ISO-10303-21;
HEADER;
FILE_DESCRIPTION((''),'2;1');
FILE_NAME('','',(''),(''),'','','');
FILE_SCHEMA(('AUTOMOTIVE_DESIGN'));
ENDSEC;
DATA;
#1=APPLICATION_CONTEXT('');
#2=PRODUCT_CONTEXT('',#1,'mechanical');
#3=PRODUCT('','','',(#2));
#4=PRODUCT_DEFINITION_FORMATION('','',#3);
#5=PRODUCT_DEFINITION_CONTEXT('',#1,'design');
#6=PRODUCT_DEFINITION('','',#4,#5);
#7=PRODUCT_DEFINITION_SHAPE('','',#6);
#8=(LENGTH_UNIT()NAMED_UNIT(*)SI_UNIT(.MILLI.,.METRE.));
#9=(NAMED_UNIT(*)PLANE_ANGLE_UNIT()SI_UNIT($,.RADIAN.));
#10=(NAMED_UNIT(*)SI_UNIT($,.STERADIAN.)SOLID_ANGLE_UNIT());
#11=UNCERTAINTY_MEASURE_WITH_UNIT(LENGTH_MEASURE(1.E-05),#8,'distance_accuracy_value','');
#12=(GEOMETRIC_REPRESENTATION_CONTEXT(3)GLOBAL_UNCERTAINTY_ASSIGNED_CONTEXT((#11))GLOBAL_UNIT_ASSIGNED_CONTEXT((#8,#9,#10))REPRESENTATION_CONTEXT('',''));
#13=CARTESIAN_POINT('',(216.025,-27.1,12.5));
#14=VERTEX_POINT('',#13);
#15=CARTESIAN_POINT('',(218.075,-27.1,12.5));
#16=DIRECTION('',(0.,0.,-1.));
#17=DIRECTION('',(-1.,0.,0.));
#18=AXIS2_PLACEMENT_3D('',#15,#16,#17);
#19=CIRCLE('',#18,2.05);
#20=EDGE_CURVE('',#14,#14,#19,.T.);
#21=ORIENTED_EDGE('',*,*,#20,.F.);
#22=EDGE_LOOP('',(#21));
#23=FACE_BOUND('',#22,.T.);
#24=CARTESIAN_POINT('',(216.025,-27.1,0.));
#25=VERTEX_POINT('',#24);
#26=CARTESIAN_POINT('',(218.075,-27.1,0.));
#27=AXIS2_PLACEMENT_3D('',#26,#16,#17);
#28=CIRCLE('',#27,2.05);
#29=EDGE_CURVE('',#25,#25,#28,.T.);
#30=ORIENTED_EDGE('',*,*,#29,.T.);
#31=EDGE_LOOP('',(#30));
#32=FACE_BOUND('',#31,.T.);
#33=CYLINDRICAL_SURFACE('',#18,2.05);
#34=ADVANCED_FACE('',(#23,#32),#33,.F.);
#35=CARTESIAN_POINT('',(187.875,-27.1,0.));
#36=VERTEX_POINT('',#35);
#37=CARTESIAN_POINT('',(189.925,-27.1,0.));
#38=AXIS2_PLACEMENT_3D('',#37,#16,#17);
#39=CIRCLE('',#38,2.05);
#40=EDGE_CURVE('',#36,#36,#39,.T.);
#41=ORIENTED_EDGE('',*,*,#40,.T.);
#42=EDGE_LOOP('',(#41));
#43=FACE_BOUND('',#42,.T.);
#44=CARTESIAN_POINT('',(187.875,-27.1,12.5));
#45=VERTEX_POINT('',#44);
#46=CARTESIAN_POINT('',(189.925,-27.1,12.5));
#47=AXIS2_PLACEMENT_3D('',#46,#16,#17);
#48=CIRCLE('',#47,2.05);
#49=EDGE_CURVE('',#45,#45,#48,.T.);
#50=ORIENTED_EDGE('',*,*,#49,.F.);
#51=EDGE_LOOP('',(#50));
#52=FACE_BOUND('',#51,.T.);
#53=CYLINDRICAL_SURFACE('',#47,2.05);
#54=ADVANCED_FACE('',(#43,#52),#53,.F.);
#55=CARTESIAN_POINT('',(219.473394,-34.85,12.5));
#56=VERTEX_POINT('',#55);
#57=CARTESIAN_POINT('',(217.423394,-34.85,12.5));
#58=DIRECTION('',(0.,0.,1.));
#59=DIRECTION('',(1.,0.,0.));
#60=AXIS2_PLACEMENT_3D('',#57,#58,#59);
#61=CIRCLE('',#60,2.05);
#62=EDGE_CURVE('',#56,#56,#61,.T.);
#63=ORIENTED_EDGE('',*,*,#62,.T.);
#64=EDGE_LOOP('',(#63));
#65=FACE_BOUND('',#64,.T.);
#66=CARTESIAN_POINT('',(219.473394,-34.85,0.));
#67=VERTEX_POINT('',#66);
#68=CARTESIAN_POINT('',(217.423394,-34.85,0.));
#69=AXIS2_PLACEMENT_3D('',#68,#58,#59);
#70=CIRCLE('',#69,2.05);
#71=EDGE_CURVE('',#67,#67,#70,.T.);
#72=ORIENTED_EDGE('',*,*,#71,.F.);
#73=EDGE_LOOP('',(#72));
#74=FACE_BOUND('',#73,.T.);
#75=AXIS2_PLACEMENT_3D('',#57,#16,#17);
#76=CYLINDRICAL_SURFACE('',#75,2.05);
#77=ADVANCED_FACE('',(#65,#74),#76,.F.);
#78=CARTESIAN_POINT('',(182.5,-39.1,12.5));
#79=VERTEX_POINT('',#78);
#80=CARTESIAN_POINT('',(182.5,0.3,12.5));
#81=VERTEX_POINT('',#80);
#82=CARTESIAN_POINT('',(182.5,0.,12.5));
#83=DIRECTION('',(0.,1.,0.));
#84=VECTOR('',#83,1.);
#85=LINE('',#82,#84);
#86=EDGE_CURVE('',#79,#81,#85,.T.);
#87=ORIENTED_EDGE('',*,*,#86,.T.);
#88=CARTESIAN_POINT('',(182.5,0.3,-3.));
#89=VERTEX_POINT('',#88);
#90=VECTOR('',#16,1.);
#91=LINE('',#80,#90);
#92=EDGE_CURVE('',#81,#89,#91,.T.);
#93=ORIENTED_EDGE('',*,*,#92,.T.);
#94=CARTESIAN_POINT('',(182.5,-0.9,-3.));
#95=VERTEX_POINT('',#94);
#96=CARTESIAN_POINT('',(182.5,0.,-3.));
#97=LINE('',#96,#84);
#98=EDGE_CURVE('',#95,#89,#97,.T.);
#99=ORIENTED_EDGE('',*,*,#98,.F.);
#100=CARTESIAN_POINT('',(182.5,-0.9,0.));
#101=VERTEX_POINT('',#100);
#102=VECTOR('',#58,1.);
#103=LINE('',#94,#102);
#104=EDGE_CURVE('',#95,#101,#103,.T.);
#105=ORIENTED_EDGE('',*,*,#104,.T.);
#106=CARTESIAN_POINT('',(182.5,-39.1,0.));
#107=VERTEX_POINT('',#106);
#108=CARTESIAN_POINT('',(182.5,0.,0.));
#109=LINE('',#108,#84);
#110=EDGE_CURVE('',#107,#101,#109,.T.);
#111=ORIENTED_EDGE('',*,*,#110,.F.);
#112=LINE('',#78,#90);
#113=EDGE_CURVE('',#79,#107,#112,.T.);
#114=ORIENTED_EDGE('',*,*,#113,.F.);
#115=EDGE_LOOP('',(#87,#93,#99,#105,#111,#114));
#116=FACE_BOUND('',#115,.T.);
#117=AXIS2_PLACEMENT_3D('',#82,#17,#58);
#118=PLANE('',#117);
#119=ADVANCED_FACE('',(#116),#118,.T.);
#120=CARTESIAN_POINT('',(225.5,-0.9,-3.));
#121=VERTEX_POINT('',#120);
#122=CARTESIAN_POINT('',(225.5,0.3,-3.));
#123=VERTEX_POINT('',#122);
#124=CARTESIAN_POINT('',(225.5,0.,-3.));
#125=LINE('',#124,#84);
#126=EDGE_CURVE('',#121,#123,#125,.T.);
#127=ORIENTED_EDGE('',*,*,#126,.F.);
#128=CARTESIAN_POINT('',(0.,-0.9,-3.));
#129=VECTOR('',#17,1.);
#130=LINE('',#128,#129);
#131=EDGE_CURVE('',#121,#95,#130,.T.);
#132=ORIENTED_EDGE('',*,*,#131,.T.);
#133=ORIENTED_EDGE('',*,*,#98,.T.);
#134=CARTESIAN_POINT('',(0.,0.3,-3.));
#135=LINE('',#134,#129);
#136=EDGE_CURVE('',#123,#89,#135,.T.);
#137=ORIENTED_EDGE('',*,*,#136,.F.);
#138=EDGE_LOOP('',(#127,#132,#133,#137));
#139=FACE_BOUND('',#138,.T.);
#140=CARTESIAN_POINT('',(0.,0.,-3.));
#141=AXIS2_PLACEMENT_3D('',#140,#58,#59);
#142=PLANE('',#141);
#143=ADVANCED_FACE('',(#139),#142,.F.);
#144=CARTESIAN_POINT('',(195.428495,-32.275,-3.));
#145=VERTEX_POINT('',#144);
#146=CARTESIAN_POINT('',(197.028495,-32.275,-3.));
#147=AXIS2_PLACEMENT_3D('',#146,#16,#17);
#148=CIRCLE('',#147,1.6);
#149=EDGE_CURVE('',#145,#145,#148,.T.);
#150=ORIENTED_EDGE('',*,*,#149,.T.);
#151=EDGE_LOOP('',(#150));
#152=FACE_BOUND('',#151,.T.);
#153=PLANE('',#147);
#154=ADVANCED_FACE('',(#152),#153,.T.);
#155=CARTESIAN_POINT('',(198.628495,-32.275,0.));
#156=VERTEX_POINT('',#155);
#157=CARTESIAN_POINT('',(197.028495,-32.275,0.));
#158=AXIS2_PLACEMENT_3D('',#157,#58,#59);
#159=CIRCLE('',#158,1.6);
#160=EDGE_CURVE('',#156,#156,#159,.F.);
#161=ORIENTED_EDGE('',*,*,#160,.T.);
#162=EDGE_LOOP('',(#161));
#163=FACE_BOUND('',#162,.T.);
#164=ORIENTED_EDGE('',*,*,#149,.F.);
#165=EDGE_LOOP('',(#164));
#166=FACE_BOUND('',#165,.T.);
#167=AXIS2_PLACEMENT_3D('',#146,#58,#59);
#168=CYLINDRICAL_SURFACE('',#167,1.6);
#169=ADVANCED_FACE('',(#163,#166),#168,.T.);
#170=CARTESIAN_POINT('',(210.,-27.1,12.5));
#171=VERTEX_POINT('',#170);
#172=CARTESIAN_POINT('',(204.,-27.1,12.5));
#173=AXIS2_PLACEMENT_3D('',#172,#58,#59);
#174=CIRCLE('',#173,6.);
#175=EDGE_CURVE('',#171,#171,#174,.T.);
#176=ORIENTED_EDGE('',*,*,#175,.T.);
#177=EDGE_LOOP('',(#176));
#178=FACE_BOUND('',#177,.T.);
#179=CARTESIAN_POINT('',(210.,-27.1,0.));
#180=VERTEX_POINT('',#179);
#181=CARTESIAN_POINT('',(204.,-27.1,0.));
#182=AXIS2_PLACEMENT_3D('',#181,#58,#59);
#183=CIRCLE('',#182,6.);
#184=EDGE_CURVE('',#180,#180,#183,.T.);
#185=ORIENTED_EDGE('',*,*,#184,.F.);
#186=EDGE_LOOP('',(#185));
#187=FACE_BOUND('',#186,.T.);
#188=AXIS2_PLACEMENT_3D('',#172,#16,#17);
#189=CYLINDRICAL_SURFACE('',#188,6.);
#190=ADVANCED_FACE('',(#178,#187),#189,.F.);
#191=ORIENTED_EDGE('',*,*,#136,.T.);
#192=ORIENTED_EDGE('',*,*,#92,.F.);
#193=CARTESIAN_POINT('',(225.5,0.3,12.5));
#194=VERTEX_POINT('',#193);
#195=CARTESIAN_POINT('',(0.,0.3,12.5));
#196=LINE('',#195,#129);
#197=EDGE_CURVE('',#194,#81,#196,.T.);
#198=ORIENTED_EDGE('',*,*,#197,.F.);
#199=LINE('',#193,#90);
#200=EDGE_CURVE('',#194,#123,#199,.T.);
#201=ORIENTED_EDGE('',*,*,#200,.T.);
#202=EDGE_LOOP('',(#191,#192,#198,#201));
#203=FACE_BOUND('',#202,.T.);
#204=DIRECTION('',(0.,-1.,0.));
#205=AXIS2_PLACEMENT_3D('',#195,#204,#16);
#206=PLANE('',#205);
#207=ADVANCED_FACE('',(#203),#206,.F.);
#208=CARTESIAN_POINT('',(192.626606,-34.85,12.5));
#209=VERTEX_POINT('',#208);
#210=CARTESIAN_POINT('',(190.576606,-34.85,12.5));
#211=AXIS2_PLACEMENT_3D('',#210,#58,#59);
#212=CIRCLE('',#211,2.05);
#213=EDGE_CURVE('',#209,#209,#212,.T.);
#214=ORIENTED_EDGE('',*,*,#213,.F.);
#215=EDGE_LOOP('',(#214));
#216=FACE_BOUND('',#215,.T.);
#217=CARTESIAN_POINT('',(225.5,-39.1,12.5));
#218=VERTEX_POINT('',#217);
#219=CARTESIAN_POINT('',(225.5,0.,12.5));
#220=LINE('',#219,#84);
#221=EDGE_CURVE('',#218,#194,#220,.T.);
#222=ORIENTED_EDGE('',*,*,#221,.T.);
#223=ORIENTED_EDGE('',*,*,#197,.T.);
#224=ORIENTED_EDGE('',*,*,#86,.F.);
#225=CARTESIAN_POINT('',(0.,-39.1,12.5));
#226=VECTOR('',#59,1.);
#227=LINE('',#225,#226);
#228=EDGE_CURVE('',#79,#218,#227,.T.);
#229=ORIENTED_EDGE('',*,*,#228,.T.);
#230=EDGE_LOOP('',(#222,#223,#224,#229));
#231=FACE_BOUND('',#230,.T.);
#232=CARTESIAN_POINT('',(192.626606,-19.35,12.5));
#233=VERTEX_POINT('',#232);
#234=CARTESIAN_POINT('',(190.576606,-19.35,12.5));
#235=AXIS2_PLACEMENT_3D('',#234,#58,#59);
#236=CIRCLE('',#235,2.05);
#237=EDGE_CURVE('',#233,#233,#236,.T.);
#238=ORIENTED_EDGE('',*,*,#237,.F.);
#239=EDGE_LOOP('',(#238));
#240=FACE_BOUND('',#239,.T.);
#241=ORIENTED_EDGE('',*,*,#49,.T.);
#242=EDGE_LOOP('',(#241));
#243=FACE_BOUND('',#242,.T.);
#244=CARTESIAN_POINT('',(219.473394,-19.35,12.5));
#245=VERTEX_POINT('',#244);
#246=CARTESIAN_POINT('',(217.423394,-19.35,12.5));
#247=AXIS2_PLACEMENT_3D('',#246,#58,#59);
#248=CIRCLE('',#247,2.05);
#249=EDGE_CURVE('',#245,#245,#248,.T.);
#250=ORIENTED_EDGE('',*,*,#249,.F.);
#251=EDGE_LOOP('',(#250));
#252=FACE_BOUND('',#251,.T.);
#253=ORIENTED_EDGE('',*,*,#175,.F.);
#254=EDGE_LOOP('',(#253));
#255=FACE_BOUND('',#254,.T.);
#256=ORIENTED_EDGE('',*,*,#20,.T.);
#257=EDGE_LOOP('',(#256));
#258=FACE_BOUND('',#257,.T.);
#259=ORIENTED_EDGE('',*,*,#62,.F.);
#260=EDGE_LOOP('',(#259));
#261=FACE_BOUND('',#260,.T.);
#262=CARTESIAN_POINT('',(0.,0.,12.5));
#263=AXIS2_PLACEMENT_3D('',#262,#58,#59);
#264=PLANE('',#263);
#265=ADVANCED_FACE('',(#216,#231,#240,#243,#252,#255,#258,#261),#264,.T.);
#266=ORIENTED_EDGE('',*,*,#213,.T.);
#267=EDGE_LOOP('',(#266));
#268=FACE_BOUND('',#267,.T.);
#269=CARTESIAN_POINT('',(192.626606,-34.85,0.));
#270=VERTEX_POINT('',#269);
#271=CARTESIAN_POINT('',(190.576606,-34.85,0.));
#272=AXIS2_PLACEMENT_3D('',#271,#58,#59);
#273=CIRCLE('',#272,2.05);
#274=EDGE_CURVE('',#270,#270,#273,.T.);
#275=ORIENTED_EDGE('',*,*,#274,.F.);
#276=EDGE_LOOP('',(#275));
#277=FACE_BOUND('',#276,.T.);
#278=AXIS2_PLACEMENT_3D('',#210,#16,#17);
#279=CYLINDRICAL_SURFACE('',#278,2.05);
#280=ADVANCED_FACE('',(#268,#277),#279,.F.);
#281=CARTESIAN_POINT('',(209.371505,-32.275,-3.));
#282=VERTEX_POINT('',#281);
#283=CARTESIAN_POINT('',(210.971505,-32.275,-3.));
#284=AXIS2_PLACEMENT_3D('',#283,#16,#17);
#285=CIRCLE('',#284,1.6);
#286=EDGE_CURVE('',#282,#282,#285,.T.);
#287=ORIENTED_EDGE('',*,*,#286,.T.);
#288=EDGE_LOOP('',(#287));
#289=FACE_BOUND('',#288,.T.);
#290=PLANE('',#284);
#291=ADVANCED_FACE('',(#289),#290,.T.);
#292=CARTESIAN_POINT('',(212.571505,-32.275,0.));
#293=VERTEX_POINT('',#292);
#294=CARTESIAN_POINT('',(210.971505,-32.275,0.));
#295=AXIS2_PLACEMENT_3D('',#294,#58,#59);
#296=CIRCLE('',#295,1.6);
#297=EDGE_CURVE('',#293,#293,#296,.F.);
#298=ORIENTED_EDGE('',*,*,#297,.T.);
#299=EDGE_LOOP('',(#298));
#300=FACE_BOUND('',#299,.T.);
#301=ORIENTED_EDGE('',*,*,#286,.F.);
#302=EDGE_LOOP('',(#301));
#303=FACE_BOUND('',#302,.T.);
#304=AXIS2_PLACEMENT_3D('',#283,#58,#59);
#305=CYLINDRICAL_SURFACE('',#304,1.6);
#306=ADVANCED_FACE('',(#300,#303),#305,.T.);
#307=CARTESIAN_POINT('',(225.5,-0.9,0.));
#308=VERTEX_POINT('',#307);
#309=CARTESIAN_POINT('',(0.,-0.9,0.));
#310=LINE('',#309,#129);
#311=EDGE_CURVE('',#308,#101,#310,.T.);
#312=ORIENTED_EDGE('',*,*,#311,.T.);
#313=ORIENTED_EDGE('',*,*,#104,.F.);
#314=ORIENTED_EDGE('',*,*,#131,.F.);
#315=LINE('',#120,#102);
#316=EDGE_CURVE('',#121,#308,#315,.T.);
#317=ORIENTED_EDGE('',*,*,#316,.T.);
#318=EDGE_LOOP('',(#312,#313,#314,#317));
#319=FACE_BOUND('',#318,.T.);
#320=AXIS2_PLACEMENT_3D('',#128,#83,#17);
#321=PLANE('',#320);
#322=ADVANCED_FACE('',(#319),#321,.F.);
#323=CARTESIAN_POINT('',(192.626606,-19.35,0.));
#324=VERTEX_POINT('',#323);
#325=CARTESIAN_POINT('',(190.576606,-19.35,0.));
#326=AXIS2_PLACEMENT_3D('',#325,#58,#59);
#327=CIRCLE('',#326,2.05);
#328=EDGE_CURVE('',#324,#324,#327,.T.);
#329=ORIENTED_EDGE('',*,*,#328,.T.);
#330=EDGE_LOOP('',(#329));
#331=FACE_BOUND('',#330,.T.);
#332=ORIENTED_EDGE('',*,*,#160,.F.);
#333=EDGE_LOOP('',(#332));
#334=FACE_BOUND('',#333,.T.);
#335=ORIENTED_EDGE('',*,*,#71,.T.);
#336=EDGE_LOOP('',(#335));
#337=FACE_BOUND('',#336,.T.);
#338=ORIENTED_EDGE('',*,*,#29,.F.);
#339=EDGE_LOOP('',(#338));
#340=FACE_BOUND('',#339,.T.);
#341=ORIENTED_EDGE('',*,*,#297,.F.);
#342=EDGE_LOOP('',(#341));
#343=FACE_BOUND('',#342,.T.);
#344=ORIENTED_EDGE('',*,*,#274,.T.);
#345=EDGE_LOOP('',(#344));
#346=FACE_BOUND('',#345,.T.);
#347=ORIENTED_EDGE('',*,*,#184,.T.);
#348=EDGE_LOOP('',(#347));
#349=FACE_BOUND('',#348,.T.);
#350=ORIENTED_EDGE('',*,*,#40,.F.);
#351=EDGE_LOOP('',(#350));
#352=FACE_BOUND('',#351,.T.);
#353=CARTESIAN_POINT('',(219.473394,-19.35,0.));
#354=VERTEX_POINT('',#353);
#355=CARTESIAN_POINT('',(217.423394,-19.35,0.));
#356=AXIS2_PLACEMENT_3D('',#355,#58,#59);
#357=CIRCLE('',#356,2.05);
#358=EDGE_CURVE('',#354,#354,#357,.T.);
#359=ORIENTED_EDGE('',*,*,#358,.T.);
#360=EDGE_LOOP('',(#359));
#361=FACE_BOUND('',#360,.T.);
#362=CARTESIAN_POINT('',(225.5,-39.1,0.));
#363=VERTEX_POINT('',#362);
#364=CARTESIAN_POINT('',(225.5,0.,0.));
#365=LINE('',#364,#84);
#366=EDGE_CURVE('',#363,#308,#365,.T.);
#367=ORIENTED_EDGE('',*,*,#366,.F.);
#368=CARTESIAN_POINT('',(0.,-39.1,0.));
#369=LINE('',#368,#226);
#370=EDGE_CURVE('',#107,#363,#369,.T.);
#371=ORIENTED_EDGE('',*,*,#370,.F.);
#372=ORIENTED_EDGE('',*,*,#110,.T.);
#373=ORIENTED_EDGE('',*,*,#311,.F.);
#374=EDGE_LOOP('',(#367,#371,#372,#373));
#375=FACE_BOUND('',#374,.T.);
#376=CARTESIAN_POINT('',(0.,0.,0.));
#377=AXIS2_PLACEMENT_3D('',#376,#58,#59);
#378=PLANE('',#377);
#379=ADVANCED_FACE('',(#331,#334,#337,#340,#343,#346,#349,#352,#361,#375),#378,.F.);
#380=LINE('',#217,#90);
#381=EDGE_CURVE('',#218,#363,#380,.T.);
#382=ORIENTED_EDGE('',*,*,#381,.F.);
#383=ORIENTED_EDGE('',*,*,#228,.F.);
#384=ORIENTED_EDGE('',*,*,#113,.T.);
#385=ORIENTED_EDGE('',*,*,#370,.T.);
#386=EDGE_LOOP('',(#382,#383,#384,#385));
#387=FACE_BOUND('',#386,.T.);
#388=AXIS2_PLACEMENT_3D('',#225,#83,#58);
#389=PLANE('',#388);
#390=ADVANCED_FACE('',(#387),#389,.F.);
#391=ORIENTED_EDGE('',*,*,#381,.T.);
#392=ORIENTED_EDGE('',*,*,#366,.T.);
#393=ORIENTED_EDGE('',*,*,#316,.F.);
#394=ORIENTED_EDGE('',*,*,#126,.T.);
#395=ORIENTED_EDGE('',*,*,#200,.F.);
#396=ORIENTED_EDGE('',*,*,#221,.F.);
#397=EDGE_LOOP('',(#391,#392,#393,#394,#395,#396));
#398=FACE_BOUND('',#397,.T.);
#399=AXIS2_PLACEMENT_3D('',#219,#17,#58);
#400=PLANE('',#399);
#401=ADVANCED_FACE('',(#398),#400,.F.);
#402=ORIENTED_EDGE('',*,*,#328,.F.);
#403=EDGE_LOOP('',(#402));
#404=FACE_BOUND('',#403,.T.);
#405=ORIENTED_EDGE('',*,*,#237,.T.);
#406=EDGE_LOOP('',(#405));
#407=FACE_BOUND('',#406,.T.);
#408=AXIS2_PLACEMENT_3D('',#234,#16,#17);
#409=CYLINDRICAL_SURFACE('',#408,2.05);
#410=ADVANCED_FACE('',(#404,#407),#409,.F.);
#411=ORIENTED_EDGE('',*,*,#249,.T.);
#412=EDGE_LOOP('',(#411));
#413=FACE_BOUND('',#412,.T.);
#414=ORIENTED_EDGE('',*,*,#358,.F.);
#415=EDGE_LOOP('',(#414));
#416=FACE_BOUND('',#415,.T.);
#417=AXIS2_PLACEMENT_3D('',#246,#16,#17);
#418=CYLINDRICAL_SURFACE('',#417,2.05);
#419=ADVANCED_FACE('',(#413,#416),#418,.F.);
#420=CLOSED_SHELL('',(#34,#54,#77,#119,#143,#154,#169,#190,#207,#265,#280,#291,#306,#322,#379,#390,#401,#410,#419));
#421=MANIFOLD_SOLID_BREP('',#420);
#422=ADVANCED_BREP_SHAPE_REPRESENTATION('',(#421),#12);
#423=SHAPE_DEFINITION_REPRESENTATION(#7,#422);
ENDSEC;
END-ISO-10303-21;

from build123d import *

# Parameters (mm, degrees)
SKETCH1_W             = 43
SKETCH1_H             = 48.1
SKETCH1_R             = 2.05
SKETCH1_R_2           = 6
BOSS_EXTRUDE1_DEPTH   = 12.5
SKETCH1_3_W           = 43
SKETCH1_3_H           = 10
BOSS_EXTRUDE2_DEPTH   = 3
MOVE_FACE1_BY         = 0.1
CROQUIS1_W            = 43
CROQUIS1_H            = 8.7
CORTAR_EXTRUIR1_DEPTH = 230.388992761
CROQUIS2_R            = 1.6
PINES_PRE_SERIE_DEPTH = 3
CROQUIS3_R            = 2.05
CORTAR_EXTRUIR2_DEPTH = 230.205824533


with BuildPart() as part:
    # Sketch1 → Boss-Extrude1 (new body)
    with BuildSketch(Plane.XY):
        with Locations((204, -15.05)):
            Rectangle(SKETCH1_W, SKETCH1_H)
        with Locations((217.423393759, -19.35)):
            Circle(SKETCH1_R, mode=Mode.SUBTRACT)
        with Locations((190.576606241, -34.85)):
            Circle(SKETCH1_R, mode=Mode.SUBTRACT)
        with Locations((217.423393759, -34.85)):
            Circle(SKETCH1_R, mode=Mode.SUBTRACT)
        with Locations((190.576606241, -19.35)):
            Circle(SKETCH1_R, mode=Mode.SUBTRACT)
        with Locations((204, -27.1)):
            Circle(SKETCH1_R_2, mode=Mode.SUBTRACT)
    extrude(amount=BOSS_EXTRUDE1_DEPTH)

    # Sketch1_3 → Boss-Extrude2 (add)
    with BuildSketch(Plane.XY):
        with Locations((204, 4)):
            Rectangle(SKETCH1_3_W, SKETCH1_3_H)
    extrude(amount=-BOSS_EXTRUDE2_DEPTH)

    # Move Face1: a face moved inward by 0.1
    extrude(part.faces().sort_by_distance((204, -1, -1.5))[0], amount=MOVE_FACE1_BY, dir=(0, 1, 0), mode=Mode.SUBTRACT)

    # Croquis1 → Cortar-Extruir1 (cut, through all)
    with BuildSketch(Plane(origin=(0, 0, -3), x_dir=(-1, 0, 0), z_dir=(0, 0, -1))):
        with Locations((-204, 4.65)):
            Rectangle(CROQUIS1_W, CROQUIS1_H)
    extrude(amount=-CORTAR_EXTRUIR1_DEPTH, mode=Mode.SUBTRACT)

    # Croquis2 → Pines Pre-serie (add)
    with BuildSketch(Plane(origin=(0, 0, 0), x_dir=(-1, 0, 0), z_dir=(0, 0, -1))):
        with Locations(Location((-210.9715045, -32.275, 0), (0, 0, 180))):
            Circle(CROQUIS2_R)
        with Locations(Location((-197.0284955, -32.275, 0), (0, 0, 180))):
            Circle(CROQUIS2_R)
    extrude(amount=PINES_PRE_SERIE_DEPTH)

    # Croquis3 → Cortar-Extruir2 (cut, through all)
    with BuildSketch(Plane(origin=(0, 0, 0), x_dir=(-1, 0, 0), z_dir=(0, 0, -1))):
        with Locations((-218.075, -27.1)):
            Circle(CROQUIS3_R)
        with Locations((-189.925, -27.1)):
            Circle(CROQUIS3_R)
    extrude(amount=-CORTAR_EXTRUIR2_DEPTH, mode=Mode.SUBTRACT)


solid = part.part
